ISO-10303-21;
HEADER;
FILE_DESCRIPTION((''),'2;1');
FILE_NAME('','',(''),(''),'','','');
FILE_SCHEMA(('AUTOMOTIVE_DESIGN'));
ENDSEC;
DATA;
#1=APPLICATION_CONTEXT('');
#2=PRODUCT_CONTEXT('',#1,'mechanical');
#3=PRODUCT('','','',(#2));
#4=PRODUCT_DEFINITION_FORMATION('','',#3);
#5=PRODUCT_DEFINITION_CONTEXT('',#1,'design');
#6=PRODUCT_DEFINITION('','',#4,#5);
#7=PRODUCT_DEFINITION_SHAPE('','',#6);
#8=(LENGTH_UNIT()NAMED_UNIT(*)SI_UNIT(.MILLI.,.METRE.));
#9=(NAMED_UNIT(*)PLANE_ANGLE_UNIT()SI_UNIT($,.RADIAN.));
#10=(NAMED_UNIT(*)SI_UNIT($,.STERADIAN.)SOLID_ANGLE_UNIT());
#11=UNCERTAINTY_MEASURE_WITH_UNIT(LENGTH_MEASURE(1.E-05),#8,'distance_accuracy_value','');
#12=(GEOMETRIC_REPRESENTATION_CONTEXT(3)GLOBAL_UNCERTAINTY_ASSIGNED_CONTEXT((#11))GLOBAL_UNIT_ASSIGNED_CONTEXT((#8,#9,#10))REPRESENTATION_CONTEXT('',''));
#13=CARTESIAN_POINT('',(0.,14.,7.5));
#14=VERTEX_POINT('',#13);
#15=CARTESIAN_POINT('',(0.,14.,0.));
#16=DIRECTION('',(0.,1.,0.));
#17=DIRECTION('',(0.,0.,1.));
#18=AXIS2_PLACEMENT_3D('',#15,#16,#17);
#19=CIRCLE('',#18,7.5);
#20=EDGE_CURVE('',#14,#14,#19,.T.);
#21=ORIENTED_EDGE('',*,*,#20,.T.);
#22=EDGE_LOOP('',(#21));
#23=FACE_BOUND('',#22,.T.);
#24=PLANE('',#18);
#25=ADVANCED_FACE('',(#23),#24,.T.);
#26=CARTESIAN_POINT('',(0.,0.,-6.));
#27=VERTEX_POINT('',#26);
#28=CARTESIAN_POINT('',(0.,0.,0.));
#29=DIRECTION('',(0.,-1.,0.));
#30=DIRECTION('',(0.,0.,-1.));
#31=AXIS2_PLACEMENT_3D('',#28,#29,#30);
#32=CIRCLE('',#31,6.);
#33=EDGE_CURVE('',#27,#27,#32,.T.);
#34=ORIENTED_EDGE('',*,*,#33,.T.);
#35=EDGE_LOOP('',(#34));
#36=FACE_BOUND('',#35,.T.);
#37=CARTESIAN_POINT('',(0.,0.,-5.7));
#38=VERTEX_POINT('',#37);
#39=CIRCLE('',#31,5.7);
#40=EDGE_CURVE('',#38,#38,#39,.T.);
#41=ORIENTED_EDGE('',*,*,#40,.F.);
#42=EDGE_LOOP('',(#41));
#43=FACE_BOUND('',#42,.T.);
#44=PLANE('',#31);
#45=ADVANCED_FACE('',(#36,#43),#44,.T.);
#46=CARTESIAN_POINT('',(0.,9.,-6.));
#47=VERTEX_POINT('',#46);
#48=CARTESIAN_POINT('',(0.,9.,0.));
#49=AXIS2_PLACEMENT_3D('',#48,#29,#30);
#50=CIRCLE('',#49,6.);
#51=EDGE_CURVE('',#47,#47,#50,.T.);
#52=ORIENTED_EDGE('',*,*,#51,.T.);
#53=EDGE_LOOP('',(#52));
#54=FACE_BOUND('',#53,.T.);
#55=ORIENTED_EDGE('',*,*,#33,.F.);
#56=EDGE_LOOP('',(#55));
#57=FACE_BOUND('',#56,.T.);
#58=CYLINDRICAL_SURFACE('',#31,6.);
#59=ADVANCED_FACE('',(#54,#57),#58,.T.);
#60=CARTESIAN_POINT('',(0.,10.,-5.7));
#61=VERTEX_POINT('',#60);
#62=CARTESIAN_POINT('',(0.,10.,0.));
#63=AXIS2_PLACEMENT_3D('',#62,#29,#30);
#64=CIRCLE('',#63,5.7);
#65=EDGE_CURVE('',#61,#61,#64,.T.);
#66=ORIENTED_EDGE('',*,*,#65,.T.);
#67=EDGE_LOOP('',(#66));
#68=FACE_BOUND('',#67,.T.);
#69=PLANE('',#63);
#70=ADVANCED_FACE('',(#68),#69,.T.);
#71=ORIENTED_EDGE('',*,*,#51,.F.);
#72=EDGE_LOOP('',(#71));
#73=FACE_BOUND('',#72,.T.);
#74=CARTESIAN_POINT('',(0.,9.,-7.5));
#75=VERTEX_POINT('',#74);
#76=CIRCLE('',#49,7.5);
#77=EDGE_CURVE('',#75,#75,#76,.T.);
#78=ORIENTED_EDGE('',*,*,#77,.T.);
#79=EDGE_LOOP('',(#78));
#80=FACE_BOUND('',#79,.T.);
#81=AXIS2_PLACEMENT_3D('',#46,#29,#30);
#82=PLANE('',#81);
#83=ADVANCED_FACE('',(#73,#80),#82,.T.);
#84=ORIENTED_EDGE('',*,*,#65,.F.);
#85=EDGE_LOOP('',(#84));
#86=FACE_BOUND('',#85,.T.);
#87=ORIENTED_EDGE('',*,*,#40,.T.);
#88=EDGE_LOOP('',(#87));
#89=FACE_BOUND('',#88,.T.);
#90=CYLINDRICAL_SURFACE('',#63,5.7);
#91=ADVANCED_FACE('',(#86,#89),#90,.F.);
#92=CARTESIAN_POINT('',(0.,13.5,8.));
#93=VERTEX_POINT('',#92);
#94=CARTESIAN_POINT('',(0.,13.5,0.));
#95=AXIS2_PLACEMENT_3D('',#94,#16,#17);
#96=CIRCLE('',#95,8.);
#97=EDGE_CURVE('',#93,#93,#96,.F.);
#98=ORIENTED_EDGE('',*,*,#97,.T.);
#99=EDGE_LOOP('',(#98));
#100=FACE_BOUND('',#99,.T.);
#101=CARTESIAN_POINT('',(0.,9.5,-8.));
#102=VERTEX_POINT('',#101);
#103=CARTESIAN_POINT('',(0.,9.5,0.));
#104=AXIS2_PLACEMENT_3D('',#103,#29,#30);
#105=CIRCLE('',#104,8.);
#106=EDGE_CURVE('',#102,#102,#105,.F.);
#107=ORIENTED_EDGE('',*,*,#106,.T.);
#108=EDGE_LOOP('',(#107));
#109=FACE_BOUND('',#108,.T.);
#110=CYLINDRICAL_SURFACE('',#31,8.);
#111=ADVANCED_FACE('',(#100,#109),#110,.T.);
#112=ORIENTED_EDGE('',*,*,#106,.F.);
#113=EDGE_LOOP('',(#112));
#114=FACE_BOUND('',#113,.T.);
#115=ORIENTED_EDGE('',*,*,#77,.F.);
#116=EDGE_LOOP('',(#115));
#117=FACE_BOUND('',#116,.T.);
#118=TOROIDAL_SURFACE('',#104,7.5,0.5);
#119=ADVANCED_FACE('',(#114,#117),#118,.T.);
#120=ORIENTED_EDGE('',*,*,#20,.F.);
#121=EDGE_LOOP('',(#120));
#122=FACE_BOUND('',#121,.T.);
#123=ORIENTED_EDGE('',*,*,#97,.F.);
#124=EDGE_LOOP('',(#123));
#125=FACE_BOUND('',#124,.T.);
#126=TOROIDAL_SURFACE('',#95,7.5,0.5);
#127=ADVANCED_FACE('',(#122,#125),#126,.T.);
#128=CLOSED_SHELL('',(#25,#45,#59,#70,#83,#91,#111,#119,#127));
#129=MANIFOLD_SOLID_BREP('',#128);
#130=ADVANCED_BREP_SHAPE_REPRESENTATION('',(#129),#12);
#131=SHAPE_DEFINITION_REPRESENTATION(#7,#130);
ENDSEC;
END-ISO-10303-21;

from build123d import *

# Parameters (mm, degrees)
FILLET1_R          = 0.5
SKETCH2_R          = 5.7
CUT_EXTRUDE1_DEPTH = 10


with BuildPart() as part:
    # Sketch1 → Revolve1 (revolve)
    with BuildSketch(Plane(origin=(0, 0, 0), x_dir=(0, 0, -1), z_dir=(1, 0, 0))):
        Polygon((6, 9), (8, 9), (8, 14), (0, 14), (0, 9), (0, 0), (6, 0), align=None)
    revolve(axis=Axis((0, 0, 0), (0, 1, 0)))

    # Fillet1
    fillet1_edges = [part.edges().sort_by_distance(p)[0] for p in [
        (0, 9, 8),
        (0, 14, 8),
    ]]
    fillet(fillet1_edges, radius=FILLET1_R)

    # Sketch2 → Cut-Extrude1 (cut)
    with BuildSketch(Plane.XZ):
        Circle(SKETCH2_R)
    extrude(amount=-CUT_EXTRUDE1_DEPTH, mode=Mode.SUBTRACT)


solid = part.part
